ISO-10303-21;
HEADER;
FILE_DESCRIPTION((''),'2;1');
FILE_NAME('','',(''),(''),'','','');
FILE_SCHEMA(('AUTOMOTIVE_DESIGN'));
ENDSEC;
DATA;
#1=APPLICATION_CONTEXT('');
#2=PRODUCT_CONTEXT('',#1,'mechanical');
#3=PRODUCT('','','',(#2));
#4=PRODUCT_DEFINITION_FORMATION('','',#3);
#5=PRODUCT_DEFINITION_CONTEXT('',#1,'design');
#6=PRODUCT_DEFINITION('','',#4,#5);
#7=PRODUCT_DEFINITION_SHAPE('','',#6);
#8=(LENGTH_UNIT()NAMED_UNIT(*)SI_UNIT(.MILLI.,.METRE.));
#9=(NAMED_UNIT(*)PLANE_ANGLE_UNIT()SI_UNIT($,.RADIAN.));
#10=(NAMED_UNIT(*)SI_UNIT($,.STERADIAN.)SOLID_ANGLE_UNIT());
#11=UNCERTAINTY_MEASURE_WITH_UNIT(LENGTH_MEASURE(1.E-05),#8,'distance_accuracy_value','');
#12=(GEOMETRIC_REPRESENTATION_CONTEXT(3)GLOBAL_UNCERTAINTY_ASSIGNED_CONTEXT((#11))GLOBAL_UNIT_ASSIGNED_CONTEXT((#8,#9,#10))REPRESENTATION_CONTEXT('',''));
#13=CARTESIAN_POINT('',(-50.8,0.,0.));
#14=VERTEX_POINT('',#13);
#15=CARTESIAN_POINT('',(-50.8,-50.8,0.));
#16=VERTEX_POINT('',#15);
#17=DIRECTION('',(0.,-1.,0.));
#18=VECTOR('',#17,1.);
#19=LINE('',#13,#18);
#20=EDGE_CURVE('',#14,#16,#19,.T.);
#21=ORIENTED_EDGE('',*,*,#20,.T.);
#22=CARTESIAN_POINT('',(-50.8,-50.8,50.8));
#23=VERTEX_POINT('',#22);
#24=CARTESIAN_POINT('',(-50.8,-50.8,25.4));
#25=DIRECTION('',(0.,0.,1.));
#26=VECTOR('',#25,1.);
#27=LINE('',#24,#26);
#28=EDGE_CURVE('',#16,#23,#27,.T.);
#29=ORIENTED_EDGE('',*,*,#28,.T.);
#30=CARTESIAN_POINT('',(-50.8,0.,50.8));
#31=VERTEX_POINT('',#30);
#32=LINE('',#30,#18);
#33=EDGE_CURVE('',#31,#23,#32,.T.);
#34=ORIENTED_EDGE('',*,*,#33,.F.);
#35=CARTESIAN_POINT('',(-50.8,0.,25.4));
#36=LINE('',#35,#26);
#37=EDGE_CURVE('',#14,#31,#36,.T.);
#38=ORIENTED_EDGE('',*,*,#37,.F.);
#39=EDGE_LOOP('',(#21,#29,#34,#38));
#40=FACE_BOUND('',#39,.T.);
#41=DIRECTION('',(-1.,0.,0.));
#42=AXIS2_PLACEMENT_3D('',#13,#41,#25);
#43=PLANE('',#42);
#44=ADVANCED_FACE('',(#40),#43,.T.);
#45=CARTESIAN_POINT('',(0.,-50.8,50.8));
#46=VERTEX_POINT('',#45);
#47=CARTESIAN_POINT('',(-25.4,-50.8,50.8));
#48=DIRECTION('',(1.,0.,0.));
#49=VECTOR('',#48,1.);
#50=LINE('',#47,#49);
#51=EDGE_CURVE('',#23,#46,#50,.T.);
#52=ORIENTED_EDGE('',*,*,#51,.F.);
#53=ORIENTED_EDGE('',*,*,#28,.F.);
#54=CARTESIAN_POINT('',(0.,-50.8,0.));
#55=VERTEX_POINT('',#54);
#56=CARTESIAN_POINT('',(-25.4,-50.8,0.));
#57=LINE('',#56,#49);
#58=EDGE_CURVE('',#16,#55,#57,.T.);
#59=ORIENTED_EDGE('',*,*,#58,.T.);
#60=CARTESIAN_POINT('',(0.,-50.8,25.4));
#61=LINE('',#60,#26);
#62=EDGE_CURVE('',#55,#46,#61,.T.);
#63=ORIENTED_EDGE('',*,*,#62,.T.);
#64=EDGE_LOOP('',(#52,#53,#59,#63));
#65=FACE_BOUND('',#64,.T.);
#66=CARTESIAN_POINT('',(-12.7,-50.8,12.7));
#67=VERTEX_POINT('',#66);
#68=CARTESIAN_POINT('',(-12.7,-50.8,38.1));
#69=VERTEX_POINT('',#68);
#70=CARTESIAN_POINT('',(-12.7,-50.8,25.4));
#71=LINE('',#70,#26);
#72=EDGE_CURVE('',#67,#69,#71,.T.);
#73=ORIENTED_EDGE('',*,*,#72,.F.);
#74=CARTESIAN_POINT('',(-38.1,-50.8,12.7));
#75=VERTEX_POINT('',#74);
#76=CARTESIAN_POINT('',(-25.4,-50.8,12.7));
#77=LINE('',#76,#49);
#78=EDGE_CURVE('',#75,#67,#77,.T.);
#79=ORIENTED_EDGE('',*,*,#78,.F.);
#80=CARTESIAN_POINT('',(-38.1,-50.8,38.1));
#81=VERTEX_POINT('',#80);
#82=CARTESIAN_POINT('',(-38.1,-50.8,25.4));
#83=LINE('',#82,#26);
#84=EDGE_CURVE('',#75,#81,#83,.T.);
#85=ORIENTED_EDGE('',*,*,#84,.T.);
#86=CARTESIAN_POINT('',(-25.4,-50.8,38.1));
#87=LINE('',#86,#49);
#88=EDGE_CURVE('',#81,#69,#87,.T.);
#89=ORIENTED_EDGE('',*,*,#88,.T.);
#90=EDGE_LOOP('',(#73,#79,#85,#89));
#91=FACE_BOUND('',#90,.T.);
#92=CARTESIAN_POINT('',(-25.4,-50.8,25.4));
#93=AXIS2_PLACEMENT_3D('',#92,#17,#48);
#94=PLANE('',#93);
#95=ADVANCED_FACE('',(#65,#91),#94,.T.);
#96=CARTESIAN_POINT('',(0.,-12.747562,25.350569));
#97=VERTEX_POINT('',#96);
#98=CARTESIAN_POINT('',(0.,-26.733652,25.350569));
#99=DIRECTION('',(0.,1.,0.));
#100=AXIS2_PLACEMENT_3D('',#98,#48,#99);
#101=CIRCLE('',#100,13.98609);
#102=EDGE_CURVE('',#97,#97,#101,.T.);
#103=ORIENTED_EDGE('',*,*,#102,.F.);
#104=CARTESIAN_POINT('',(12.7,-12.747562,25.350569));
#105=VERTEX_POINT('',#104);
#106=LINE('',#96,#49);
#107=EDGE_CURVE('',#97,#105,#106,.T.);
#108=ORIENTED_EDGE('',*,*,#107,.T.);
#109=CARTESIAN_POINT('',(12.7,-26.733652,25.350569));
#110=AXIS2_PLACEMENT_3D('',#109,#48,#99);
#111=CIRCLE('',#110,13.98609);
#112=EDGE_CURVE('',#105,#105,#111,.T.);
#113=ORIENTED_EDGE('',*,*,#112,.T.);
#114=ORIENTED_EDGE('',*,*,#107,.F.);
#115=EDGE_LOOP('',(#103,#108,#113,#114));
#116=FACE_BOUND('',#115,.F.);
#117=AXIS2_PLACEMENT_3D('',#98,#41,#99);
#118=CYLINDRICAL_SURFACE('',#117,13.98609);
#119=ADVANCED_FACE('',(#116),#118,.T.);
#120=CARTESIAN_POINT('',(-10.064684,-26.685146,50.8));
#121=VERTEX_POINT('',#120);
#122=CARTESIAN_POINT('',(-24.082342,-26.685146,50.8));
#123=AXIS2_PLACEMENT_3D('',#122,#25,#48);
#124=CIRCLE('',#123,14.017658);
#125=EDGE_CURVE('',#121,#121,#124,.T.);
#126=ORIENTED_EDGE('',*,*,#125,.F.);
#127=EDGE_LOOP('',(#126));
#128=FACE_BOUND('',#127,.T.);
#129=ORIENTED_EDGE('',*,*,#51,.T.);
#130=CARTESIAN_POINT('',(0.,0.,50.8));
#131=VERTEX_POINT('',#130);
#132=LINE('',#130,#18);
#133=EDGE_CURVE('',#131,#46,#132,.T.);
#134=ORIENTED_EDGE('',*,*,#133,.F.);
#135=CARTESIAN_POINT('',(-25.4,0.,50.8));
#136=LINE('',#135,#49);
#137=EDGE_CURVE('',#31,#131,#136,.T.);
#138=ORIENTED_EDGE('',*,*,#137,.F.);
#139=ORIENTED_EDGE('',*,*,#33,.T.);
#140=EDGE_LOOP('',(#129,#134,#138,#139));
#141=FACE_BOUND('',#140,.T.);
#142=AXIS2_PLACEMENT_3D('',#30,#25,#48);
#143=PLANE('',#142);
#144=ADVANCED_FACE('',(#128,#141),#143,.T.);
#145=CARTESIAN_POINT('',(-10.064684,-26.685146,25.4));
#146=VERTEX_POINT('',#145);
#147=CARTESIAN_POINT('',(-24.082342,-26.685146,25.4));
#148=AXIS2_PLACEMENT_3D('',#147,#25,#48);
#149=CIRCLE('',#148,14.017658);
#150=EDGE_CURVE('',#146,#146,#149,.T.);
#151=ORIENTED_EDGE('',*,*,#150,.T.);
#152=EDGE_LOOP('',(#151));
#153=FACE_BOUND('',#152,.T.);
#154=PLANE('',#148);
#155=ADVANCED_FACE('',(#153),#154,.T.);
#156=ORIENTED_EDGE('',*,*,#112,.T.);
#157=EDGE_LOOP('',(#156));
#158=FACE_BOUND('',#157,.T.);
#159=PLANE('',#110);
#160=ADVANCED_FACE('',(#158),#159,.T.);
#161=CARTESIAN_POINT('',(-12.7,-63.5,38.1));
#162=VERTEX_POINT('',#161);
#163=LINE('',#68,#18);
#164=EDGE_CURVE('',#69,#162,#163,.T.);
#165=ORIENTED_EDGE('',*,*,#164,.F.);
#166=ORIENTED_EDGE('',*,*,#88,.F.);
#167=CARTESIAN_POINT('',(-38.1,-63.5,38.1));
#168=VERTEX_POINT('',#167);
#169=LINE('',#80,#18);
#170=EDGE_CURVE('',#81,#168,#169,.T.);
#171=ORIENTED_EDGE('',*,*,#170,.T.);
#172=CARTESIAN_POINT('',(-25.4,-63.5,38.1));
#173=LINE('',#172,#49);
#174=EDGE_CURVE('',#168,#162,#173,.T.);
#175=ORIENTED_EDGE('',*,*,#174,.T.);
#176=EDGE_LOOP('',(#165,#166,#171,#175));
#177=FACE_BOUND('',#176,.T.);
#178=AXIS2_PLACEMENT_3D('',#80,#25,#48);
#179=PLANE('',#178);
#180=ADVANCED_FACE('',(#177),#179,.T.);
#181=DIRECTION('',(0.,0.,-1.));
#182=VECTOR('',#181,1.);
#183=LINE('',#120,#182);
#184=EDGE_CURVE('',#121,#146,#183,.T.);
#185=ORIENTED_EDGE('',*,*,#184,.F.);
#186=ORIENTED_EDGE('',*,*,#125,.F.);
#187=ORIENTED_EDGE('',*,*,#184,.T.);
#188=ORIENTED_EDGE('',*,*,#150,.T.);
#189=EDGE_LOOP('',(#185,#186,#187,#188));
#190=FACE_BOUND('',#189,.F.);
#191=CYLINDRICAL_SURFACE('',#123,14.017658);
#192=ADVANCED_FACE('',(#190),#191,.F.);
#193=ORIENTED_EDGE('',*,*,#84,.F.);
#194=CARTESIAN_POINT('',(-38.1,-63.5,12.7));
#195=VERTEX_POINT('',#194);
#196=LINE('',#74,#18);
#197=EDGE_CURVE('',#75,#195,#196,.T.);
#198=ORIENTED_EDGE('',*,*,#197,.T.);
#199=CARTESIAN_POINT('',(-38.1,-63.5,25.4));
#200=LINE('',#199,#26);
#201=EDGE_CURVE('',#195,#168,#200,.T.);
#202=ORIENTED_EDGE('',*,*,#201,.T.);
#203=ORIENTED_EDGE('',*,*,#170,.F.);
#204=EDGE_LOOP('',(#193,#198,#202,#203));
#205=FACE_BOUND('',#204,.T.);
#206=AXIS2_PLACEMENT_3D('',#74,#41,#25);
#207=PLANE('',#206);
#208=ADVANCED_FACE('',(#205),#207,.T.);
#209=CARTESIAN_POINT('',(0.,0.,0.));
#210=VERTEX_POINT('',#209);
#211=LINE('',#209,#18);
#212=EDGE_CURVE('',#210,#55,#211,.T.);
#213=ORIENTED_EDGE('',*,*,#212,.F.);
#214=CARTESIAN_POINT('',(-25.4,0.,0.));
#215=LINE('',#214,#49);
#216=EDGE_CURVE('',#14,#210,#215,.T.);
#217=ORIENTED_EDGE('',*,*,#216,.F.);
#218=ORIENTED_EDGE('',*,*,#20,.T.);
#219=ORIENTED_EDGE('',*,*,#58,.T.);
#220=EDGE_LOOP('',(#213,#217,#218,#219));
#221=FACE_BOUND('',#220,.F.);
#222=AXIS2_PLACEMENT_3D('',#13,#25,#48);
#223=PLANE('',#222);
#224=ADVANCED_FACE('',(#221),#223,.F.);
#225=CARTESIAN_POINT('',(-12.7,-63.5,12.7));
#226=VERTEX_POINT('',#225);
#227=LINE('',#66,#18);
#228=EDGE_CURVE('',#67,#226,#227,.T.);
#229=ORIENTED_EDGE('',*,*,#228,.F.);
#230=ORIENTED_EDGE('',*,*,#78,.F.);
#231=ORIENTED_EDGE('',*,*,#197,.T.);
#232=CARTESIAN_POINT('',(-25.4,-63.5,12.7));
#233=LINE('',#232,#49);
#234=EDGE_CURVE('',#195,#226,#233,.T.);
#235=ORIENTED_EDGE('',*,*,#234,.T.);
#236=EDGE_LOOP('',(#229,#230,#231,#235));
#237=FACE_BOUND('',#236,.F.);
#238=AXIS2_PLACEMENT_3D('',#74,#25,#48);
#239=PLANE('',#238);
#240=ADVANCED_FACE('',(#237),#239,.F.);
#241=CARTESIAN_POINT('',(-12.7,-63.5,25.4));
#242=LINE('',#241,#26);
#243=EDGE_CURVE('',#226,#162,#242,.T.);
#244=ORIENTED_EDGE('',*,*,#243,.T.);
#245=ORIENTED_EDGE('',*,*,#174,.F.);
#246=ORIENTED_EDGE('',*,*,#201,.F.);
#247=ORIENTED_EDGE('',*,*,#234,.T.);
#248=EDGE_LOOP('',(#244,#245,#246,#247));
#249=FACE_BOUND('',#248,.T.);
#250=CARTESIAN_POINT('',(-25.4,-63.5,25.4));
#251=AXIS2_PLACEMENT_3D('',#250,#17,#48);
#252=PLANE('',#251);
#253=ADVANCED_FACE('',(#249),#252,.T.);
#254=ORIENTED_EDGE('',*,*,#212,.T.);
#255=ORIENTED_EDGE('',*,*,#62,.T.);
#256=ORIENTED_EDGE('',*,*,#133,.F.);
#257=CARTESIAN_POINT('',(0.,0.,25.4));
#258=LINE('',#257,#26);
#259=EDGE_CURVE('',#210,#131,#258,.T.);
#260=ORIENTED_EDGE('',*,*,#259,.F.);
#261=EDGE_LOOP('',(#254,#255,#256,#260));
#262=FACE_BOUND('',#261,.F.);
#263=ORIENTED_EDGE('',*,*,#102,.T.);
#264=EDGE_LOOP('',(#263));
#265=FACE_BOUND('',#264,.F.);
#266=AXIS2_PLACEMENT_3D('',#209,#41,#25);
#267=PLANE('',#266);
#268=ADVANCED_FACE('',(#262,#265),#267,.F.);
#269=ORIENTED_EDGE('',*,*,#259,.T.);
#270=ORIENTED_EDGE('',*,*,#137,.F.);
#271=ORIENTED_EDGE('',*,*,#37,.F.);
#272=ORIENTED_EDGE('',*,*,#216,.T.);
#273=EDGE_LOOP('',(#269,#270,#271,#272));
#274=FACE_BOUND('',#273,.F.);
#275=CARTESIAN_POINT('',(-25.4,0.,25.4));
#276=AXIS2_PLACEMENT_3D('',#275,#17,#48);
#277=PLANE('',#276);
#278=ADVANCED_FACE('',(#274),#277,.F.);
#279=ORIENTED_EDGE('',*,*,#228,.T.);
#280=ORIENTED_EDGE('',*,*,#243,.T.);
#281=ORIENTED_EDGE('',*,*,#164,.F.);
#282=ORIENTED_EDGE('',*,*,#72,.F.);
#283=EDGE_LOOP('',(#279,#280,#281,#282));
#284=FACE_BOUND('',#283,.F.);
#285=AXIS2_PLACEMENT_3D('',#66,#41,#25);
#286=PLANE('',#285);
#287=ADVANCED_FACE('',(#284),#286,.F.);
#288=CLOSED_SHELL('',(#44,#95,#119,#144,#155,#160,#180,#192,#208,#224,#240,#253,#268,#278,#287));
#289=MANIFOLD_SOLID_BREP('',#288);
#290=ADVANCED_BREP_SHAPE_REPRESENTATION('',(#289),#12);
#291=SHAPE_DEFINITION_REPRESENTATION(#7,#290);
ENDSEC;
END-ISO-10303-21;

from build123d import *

# Parameters (mm, degrees)
F0_W     = 50.8
F0_H     = 50.8
F1_DEPTH = 50.8
F2_W     = 25.4
F2_H     = 25.4
F3_DEPTH = 12.7
F4_R     = 14.017658
F5_DEPTH = 25.4
F6_R     = 13.98609
F7_DEPTH = 12.7


with BuildPart() as f1:
    # F0 (on Front) → F1 (new body)
    with BuildSketch(Plane.XZ):
        with Locations((-25.4, 25.4)):
            Rectangle(F0_W, F0_H)
    extrude(amount=F1_DEPTH)

    # F2 (on face) → F3 (join)
    with BuildSketch(Plane.XZ.offset(50.8)):
        with Locations((-25.4, 25.4)):
            Rectangle(F2_W, F2_H)
    extrude(amount=F3_DEPTH)

    # F4 (on face) → F5 (cut)
    with BuildSketch(Plane.XY.offset(50.8)):
        with Locations((-24.082342, -26.685146)):
            Circle(F4_R)
    extrude(amount=-F5_DEPTH, mode=Mode.SUBTRACT)

    # F6 (on face) → F7 (join)
    with BuildSketch(Plane.YZ):
        with Locations((-26.733652, 25.350569)):
            Circle(F6_R)
    extrude(amount=F7_DEPTH)


solid = f1.part
